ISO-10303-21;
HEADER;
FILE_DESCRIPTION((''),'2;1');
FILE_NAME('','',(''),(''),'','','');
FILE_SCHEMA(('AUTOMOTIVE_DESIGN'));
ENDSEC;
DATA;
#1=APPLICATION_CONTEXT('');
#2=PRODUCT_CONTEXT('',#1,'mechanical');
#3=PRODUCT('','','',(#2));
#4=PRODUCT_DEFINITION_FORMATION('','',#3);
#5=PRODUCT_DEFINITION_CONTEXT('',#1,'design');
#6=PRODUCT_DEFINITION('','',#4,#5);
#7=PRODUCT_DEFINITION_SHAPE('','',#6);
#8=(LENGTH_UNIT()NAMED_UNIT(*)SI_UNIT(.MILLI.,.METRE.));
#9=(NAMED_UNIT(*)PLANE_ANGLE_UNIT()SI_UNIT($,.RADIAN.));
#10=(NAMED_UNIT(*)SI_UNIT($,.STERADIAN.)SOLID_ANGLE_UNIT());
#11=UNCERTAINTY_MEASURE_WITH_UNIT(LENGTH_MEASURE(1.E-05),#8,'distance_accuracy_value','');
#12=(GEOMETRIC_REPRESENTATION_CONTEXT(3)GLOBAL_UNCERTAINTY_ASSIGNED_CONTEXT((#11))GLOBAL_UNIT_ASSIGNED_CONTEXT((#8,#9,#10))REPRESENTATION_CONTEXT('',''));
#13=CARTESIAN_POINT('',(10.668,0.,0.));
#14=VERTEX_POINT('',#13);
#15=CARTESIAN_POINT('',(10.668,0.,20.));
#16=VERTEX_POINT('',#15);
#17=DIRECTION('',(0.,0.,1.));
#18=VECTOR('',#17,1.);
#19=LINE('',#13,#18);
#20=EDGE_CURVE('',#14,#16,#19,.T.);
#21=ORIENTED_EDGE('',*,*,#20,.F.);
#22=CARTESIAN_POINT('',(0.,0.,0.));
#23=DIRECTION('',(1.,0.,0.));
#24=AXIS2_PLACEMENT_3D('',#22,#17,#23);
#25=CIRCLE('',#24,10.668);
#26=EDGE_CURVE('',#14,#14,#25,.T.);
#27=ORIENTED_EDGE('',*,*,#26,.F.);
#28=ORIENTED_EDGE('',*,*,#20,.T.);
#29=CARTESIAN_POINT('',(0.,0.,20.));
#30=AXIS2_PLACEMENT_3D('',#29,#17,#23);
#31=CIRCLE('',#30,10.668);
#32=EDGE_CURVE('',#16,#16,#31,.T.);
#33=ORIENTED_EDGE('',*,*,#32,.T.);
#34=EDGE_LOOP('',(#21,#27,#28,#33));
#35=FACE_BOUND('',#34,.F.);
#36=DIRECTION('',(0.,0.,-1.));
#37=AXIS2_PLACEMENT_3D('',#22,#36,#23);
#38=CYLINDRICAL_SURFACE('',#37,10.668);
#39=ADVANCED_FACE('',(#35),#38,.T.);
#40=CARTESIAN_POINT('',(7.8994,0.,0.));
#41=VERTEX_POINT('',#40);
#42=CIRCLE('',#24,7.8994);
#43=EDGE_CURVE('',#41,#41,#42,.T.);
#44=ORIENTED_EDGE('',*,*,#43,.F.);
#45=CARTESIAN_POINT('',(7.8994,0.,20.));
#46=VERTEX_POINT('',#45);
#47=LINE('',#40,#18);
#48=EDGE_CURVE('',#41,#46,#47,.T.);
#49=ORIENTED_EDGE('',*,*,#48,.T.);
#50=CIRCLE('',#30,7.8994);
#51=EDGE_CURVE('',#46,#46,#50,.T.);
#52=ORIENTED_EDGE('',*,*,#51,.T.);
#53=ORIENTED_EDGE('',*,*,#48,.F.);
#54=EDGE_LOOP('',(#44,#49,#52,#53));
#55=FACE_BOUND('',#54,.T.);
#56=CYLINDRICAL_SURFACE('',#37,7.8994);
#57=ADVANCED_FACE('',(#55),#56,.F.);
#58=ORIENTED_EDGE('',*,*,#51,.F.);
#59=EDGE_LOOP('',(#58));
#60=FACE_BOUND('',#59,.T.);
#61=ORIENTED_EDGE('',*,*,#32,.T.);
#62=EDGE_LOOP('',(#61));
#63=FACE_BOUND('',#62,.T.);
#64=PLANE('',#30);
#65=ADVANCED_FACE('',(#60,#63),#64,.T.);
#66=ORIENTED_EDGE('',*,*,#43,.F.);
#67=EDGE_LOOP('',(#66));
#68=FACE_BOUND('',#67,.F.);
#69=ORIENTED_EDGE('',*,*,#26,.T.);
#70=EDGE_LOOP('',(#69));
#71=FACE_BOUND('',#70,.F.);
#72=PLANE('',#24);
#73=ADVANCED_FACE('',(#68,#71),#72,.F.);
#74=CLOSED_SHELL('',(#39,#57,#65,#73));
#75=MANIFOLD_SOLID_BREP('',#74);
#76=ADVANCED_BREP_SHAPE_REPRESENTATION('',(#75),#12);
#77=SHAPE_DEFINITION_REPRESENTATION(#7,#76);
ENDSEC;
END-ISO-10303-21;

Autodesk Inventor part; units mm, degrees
ref_plane "YZ Plane" through (0, 0, 0) normal (1, 0, 0) x (0, 1, 0)
ref_plane "Start Plane" through (0, 0, 0) normal (0, 0, 1) x (1, 0, 0)
ref_plane "End Plane" through (0, 0, 20) normal (0, 0, 1) x (1, 0, 0)
sketch "Sketch" plane through (0, 0, 0) normal (0, 0, 1) x (1, 0, 0)
  circle A0 centre (0, 0) radius 7.8994
  circle A1 centre (0, 0) radius 10.668
  dimension "d0" = 21.336
  dimension "d1" = 2.7686
extrude "Body" add sketch "Sketch" along normal up to surface (20 mm away) from surface at 0
sketch "Sketch3" plane through (0, 0, 0) normal (0, 0, 1) x (1, 0, 0)
  line L0 (0, 0) -> (10, 0)
ref_plane "Work Plane3" through (0, 0, 0) normal (0, -1, 0) x (1, 0, 0)
sketch "Sketch4" plane through (0, 0, 0) normal (0, -1, 0) x (1, 0, 0)
  line L0 (-2, 0) -> (12, 0) projected
  line L1 (-2, 20) -> (12, 20) projected
  dimension "d7" = 20
equation "\"d0\" = G_H"
equation "\"d1\" = G_T"
equation "\"d2\" = G_L"
equation "\"G_H\" = 21.336"
equation "\"G_T\" = 2.7686"
equation "\"G_L\" = d7"
equation "\"G_OFFSET_START\" = 0"
equation "\"G_OFFSET_END\" = 0"
equation "\"d5\" = G_OFFSET_END + B_L"
equation "\"B_L\" = 20"
properties part number "ANSI - 1/2 x 0.109 - 0.787" material "Steel, Mild"
